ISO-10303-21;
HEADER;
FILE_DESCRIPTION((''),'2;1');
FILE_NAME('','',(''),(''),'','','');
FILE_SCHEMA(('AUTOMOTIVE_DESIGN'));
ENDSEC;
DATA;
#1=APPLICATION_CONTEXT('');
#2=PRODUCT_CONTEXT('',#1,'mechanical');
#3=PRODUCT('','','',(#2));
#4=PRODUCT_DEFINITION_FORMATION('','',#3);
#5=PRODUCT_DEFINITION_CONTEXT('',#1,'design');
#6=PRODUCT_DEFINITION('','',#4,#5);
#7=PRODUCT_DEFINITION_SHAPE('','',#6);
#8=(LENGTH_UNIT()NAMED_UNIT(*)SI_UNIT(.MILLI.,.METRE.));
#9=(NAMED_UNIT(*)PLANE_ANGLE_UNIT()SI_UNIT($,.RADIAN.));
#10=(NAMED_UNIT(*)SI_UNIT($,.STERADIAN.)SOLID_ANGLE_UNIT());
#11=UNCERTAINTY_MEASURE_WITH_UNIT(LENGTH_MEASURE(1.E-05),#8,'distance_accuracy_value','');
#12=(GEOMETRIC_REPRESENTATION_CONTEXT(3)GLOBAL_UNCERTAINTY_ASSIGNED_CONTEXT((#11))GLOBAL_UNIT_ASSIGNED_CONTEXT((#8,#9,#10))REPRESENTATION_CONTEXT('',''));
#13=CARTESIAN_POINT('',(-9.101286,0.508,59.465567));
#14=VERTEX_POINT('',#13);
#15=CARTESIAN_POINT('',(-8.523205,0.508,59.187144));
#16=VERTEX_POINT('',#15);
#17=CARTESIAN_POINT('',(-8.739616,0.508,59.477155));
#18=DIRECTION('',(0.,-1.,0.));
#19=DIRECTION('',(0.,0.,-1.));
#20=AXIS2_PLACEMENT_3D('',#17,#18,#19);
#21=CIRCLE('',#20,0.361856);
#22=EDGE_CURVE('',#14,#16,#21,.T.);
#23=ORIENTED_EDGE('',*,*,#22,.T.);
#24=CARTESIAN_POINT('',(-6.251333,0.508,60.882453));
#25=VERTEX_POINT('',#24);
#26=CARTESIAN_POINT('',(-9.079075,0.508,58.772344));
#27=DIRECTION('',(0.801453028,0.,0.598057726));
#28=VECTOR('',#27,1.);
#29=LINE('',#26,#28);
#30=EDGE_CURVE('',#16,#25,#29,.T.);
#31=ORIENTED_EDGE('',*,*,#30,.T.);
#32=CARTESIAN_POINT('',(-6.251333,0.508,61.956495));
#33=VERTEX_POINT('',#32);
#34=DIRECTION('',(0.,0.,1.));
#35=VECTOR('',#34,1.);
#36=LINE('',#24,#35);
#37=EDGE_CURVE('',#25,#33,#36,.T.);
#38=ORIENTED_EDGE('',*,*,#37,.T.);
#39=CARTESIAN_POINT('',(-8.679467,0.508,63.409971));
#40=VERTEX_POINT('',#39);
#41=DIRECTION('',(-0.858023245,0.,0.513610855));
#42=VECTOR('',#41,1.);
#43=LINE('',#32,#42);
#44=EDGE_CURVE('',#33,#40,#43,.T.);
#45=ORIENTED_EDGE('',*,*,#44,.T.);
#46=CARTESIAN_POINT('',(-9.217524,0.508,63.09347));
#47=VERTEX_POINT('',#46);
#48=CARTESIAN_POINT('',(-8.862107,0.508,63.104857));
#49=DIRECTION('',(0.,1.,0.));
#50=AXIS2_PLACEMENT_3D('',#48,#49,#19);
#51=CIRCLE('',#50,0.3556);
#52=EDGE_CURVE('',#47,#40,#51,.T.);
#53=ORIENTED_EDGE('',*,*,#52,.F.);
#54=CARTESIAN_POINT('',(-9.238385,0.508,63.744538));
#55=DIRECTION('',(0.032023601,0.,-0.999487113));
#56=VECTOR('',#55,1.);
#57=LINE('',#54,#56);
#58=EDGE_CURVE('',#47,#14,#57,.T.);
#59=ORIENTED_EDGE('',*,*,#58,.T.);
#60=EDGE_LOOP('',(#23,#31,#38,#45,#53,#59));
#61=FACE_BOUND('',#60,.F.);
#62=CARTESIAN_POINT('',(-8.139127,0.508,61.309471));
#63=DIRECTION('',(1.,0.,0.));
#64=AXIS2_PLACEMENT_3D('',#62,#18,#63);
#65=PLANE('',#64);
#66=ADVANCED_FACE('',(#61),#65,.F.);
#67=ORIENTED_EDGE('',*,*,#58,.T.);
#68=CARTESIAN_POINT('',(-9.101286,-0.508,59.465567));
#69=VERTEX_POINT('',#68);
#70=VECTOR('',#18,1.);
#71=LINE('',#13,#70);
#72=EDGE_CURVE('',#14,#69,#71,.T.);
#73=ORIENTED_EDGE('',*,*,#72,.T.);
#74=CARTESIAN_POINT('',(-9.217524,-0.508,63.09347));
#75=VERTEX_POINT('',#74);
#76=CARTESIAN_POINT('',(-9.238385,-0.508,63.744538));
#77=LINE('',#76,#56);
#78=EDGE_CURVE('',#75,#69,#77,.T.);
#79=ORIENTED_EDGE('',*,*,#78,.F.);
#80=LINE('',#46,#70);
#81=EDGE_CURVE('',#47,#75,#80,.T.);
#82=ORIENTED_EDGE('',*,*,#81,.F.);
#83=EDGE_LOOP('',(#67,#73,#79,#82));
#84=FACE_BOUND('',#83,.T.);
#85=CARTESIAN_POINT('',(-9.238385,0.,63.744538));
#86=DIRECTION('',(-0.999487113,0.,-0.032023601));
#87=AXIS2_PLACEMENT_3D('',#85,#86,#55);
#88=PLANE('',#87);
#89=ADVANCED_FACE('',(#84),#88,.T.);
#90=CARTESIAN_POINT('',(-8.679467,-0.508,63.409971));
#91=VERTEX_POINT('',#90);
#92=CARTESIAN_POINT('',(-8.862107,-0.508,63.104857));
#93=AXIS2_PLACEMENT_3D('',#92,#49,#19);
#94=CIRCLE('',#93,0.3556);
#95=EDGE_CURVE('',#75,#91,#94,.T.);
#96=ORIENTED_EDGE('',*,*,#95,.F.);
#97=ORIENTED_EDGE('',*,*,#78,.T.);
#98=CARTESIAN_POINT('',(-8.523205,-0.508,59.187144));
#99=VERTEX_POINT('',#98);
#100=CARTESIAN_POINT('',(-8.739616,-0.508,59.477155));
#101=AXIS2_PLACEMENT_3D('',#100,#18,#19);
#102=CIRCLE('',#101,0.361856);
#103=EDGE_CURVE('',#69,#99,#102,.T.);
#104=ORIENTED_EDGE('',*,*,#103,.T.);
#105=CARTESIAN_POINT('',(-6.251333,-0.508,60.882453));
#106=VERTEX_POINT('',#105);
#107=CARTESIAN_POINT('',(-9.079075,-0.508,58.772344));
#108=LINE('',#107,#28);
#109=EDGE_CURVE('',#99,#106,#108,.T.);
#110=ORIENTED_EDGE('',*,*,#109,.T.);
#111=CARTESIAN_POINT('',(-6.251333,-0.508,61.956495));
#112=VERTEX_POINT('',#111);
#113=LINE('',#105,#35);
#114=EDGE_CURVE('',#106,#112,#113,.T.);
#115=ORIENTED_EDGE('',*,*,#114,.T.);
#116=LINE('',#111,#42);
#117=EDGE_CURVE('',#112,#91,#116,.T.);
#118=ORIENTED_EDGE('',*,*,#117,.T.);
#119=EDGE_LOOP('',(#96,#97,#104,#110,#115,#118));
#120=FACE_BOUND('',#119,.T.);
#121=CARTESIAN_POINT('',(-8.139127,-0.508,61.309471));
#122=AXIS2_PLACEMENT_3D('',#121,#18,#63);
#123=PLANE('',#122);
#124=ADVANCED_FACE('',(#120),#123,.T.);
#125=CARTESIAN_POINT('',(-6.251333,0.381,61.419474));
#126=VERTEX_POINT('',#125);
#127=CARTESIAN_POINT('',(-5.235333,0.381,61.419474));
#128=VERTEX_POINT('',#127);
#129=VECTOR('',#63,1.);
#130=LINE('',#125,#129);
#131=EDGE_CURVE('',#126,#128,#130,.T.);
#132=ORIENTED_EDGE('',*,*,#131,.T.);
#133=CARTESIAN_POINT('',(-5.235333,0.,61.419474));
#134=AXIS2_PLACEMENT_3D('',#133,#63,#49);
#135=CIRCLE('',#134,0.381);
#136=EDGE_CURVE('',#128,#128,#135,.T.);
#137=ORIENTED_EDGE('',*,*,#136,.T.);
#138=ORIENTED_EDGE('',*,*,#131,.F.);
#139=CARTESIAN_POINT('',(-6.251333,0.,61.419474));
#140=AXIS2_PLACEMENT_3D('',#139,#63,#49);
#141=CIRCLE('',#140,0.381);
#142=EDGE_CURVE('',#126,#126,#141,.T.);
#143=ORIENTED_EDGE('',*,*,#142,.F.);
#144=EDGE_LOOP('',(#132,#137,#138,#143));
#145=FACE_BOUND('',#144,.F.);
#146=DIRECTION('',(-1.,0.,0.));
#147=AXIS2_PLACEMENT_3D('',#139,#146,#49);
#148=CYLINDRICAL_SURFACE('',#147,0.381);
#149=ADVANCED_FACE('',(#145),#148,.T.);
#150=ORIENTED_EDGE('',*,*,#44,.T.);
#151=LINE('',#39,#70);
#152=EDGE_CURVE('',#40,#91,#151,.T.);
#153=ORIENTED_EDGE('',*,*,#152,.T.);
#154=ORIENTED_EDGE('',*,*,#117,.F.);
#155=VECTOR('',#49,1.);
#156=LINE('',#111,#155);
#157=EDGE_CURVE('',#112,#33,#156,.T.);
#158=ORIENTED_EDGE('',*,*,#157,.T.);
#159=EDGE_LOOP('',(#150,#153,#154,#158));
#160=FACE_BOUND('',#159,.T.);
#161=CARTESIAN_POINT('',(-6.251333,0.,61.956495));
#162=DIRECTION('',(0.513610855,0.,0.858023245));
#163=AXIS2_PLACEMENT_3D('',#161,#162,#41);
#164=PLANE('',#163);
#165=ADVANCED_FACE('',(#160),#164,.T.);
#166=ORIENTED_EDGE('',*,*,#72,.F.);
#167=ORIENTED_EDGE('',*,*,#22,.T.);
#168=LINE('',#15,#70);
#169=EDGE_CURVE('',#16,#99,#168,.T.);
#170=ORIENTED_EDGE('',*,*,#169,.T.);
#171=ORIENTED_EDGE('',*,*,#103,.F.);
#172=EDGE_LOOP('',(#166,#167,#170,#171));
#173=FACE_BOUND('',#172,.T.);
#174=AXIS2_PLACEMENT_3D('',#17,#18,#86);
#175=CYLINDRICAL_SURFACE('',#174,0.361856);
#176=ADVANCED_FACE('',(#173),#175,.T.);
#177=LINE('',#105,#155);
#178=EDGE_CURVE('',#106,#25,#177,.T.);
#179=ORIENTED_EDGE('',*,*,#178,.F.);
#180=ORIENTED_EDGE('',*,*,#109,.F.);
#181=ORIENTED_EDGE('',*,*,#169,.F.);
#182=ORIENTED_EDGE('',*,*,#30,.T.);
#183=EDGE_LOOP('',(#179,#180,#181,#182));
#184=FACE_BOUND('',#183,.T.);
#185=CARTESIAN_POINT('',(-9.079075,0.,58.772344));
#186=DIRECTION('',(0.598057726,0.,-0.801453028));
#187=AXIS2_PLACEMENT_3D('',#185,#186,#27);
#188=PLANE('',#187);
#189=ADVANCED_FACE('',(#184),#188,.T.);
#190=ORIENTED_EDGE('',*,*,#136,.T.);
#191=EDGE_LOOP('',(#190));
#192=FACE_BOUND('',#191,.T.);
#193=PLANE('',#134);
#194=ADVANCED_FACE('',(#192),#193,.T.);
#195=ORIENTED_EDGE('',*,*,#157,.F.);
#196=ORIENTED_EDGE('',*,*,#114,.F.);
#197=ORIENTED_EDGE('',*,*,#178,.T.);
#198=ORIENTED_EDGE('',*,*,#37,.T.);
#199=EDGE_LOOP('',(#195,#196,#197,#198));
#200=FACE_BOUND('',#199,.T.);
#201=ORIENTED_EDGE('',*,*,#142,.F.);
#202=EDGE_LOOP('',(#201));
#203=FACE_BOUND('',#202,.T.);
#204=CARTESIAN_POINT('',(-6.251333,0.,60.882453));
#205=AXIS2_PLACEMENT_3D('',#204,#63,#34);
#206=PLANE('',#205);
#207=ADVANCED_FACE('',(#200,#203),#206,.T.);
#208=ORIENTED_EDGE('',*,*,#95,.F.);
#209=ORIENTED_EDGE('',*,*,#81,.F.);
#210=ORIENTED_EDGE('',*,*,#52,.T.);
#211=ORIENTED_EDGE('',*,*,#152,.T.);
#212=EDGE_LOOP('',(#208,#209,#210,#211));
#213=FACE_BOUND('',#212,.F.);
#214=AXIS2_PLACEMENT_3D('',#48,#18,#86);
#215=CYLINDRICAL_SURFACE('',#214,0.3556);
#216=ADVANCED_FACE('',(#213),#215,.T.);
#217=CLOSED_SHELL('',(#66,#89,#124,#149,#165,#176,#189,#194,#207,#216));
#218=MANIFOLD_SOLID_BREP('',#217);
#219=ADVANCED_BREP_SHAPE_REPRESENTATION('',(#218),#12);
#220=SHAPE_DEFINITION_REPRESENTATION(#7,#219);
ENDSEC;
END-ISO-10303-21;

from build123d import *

# Parameters (mm, degrees)
F1_DEPTH = 0.508
F2_R     = 0.381
F3_DEPTH = 1.016
F4_R     = 0.3618562266
F5_R     = 0.3556


with BuildPart() as f1:
    # F0 (on Front) → F1 (new body, symmetric)
    with BuildSketch(Plane.XZ):
        Polygon((-6.2513332814, 61.9564950466), (-9.2383846641, 63.7445375323), (-9.0790754184, 58.7723441422), (-6.2513332814, 60.8824528754), align=None)
    extrude(amount=F1_DEPTH, both=True)

    # F2 (on face) → F3 (join)
    with BuildSketch(Plane.YZ.offset(-6.2513332814)):
        with Locations((0, 61.419473961)):
            Circle(F2_R)
    extrude(amount=F3_DEPTH)

    # F4
    f4_edges = [f1.edges().sort_by_distance(p)[0] for p in [
        (-9.079075, 0, 58.772344),
    ]]
    fillet(f4_edges, radius=F4_R)

    # F5
    f5_edges = [f1.edges().sort_by_distance(p)[0] for p in [
        (-9.238385, 0, 63.744538),
    ]]
    fillet(f5_edges, radius=F5_R)


solid = f1.part
